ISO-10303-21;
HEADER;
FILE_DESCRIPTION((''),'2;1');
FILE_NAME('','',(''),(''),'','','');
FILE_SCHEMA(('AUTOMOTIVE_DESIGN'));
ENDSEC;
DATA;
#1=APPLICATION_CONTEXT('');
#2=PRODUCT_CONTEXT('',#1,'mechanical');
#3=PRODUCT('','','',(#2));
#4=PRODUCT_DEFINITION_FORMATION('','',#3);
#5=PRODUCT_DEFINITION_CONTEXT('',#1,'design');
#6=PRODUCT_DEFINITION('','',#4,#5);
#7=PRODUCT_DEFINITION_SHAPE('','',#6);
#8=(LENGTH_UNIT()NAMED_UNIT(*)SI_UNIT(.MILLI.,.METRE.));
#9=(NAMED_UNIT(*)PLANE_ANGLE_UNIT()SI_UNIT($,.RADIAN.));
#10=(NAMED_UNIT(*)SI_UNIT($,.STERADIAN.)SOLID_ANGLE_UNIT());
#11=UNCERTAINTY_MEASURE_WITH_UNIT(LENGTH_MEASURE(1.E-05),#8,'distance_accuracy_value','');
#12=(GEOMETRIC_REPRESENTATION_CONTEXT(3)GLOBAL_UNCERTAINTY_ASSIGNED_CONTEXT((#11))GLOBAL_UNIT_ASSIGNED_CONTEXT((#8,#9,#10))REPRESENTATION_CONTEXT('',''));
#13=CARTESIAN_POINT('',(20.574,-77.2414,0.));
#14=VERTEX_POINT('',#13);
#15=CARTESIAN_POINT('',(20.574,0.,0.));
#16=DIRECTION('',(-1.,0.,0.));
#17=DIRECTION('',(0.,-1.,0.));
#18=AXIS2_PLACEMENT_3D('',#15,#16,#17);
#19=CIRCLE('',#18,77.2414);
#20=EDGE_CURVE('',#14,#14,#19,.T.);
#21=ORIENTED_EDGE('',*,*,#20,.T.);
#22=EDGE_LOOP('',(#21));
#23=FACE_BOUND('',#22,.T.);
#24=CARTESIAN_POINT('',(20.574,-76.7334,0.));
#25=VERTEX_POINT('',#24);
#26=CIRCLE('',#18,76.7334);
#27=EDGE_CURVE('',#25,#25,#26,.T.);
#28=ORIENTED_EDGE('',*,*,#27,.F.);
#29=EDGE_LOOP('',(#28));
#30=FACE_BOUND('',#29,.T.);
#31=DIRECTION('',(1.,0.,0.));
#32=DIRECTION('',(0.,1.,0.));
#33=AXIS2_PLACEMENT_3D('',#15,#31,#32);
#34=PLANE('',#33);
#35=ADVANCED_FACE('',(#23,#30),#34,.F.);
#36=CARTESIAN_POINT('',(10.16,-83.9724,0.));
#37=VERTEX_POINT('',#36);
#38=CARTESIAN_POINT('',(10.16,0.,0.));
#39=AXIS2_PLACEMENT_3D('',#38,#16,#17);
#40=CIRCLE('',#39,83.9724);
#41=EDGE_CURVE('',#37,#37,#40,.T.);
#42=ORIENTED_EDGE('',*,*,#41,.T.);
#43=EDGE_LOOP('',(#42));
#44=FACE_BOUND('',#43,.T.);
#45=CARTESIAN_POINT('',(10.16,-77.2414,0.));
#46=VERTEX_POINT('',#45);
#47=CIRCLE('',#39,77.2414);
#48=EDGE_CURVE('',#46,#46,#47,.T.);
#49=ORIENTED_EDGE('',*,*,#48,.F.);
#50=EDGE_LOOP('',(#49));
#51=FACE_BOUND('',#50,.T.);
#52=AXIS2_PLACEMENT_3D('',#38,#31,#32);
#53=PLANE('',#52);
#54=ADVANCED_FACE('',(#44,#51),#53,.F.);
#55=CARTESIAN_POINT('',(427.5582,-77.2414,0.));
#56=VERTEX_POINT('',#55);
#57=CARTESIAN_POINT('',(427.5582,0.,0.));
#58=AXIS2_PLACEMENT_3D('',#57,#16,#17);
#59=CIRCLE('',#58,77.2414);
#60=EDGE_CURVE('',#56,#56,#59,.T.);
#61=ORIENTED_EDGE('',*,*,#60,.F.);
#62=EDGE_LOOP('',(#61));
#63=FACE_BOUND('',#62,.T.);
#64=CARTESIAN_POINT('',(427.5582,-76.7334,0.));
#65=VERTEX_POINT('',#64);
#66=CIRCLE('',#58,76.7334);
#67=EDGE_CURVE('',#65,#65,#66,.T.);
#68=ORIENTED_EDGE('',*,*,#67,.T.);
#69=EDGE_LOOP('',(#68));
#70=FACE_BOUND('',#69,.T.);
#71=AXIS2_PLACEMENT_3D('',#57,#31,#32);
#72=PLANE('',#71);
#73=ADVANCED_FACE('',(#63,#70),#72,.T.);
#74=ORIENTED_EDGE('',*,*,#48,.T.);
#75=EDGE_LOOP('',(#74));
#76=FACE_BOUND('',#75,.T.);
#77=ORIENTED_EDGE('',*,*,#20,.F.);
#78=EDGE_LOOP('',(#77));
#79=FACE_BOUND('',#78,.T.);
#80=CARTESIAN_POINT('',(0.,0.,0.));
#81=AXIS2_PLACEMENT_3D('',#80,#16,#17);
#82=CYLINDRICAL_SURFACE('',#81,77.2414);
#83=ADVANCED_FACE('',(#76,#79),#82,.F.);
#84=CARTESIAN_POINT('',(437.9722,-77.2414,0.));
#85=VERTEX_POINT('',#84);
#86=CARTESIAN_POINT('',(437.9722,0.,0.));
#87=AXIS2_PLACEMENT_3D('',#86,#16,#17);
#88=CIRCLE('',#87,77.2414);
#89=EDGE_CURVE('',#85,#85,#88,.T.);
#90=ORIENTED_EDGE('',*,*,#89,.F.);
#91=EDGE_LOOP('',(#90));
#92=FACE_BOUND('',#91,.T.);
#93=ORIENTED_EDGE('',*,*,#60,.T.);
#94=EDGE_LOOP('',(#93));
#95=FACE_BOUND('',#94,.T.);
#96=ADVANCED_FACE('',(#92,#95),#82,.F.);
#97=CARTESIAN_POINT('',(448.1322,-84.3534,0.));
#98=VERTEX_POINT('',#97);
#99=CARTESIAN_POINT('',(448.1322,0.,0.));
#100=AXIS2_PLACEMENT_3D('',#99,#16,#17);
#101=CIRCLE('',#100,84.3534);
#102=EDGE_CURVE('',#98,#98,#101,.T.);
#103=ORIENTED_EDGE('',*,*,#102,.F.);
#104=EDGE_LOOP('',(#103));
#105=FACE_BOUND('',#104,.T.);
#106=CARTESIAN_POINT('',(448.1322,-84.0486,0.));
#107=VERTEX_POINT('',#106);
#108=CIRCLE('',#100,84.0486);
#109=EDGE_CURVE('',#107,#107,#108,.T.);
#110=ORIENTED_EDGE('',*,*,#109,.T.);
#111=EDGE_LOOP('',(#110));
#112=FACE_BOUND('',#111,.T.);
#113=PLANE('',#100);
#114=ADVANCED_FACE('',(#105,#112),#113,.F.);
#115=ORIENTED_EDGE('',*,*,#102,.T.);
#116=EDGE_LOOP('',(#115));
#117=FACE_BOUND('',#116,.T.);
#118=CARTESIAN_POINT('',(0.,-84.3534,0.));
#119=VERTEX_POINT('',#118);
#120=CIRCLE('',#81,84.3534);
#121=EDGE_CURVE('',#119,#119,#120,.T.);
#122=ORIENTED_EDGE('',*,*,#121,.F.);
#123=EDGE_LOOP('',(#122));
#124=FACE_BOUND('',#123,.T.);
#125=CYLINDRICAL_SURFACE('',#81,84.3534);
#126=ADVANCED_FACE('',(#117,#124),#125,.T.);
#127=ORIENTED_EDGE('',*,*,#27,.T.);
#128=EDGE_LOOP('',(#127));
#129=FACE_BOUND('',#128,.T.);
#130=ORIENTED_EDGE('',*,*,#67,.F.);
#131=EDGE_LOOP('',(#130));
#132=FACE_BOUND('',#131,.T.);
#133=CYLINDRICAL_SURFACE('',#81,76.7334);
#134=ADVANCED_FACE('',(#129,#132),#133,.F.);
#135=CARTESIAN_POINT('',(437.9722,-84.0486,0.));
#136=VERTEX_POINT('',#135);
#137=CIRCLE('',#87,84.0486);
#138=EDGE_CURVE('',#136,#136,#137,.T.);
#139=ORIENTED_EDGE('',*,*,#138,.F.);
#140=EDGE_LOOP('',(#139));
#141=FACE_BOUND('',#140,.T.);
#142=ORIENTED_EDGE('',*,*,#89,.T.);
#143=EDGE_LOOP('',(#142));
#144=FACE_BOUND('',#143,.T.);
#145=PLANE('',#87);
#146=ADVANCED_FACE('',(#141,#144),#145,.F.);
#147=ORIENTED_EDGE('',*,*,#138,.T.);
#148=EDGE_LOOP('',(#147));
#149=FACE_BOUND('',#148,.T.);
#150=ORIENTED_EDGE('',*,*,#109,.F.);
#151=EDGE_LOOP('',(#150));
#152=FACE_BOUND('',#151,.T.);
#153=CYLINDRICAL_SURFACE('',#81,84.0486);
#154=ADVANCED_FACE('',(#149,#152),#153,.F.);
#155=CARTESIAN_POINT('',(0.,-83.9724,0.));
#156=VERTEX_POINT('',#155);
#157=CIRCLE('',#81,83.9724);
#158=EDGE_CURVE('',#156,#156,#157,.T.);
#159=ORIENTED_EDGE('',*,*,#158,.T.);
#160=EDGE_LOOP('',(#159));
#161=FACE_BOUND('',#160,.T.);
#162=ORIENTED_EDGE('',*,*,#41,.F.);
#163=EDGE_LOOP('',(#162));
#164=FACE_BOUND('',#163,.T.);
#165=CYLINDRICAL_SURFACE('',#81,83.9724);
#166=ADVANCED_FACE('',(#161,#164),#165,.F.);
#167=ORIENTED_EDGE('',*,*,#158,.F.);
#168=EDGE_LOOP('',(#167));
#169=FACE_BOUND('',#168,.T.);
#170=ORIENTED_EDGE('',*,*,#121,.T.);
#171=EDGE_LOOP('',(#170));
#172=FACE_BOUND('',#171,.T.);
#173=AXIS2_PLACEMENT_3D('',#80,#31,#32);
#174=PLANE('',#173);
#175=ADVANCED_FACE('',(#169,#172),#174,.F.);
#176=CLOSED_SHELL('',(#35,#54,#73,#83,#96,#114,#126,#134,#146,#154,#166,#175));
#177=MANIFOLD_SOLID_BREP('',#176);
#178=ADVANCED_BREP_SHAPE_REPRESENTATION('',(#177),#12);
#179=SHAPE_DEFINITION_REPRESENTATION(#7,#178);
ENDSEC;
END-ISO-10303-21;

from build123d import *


with BuildPart() as part:
    # Sketch1 → Revolve1 (revolve)
    with BuildSketch(Plane.XY):
        Polygon((0, 84.3534), (0, 83.9724), (10.16, 83.9724), (10.16, 77.2414), (20.574, 77.2414), (20.574, 76.7334), (427.5582, 76.7334), (427.5582, 77.2414), (437.9722, 77.2414), (437.9722, 84.0486), (448.1322, 84.0486), (448.1322, 84.3534), align=None)
    revolve(axis=Axis((0, 0, 0), (1, 0, 0)))


solid = part.part
